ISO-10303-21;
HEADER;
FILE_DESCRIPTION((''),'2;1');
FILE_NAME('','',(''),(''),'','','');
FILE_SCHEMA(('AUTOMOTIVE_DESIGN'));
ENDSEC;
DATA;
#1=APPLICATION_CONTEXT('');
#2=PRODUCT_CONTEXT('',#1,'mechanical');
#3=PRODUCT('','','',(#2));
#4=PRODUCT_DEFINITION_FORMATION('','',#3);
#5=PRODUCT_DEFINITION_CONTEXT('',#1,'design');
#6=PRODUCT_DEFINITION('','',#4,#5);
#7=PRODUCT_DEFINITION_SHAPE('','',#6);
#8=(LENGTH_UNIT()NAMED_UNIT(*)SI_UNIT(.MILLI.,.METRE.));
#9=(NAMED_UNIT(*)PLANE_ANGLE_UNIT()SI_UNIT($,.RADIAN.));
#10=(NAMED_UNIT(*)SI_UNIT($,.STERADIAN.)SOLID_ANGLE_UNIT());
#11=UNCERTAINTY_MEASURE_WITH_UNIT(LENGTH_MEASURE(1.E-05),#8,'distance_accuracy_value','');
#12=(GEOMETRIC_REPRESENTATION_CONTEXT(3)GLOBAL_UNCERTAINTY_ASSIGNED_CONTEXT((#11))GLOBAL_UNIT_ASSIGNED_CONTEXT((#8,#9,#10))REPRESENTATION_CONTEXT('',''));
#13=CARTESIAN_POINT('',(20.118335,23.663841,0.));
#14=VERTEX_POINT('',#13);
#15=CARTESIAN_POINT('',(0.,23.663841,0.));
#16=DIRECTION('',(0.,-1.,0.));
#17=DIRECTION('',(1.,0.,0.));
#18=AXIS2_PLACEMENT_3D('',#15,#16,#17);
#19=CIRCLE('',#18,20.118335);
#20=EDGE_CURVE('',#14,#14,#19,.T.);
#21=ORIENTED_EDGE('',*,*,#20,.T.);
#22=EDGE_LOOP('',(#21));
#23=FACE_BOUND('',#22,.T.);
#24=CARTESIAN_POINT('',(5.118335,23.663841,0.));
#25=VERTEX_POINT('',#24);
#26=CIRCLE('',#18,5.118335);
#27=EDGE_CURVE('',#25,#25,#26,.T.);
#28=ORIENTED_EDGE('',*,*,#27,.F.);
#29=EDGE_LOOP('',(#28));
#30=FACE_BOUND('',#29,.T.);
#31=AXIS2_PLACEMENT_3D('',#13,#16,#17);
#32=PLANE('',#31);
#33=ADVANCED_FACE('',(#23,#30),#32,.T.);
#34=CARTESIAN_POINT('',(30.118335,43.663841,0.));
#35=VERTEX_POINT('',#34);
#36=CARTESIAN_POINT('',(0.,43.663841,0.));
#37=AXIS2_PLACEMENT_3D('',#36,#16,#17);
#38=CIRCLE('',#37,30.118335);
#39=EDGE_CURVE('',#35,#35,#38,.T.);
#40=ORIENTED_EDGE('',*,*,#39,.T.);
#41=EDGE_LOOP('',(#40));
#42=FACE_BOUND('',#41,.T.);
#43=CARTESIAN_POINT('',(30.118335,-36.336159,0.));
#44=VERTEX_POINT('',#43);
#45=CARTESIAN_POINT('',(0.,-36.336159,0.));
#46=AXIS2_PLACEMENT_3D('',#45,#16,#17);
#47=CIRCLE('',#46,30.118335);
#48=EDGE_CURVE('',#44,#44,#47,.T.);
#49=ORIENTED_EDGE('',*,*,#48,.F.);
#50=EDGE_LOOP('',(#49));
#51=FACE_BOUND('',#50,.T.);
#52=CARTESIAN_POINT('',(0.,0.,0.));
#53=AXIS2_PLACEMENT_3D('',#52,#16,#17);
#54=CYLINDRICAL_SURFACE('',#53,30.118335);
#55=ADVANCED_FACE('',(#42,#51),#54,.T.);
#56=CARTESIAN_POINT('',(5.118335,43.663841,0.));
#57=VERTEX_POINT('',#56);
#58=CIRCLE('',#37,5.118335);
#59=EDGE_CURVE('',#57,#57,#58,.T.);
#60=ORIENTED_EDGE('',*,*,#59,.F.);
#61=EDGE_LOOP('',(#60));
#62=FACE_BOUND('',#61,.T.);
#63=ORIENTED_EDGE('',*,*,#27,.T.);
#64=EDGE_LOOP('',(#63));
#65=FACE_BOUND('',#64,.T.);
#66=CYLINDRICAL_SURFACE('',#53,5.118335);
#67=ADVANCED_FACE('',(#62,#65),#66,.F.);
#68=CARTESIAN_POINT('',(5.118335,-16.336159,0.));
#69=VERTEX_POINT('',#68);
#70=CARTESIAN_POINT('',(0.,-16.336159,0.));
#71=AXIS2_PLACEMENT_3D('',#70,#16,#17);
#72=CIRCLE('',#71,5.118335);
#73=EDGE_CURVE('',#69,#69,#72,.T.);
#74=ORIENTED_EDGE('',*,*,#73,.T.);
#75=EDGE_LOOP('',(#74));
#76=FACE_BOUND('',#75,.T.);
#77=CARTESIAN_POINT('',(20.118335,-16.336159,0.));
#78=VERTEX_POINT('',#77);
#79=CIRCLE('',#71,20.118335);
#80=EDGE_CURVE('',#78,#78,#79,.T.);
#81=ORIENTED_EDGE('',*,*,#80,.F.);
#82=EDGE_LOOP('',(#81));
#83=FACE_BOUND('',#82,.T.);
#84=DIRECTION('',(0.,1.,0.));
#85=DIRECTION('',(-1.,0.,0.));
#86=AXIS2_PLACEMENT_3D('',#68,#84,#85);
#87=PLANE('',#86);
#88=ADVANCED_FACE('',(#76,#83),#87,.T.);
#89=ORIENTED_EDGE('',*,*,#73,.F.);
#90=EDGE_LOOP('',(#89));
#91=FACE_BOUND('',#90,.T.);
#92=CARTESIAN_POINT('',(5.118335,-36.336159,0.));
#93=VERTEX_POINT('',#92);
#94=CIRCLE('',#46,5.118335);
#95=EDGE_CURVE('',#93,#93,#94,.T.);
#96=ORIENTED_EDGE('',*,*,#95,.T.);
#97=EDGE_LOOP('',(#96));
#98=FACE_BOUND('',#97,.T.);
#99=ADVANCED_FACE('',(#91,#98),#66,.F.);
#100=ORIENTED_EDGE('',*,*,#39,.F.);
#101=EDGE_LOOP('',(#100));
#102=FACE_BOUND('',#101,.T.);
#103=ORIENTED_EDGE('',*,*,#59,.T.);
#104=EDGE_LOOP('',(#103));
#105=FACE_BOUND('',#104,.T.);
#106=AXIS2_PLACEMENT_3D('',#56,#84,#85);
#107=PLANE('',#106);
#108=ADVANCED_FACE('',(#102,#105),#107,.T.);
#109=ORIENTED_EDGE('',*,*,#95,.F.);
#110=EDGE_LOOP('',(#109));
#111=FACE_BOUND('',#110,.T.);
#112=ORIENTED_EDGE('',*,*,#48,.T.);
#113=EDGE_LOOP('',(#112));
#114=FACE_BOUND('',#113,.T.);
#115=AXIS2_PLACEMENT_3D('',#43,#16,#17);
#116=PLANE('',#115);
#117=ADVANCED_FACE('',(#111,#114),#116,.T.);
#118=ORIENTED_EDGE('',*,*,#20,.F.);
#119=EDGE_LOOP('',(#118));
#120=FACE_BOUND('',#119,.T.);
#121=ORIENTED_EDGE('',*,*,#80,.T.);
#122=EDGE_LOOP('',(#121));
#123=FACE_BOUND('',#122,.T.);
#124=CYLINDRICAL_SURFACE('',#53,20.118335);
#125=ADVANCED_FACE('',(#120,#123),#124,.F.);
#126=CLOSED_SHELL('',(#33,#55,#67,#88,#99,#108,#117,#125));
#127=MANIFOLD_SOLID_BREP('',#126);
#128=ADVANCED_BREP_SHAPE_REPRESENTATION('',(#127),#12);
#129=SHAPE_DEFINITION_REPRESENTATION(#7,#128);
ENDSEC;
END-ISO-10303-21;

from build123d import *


with BuildPart() as part:
    # Croquis6 → Revolución2 (revolve)
    with BuildSketch(Plane.XY):
        Polygon((5.118334973, 43.663840535), (30.118334973, 43.663840535), (30.118334973, -36.336159465), (5.118334973, -36.336159465), (5.118334973, -16.336159465), (20.118334973, -16.336159465), (20.118334973, 23.663840535), (5.118334973, 23.663840535), align=None)
    revolve(axis=Axis((0, 0, 0), (0, 1, 0)))


solid = part.part
